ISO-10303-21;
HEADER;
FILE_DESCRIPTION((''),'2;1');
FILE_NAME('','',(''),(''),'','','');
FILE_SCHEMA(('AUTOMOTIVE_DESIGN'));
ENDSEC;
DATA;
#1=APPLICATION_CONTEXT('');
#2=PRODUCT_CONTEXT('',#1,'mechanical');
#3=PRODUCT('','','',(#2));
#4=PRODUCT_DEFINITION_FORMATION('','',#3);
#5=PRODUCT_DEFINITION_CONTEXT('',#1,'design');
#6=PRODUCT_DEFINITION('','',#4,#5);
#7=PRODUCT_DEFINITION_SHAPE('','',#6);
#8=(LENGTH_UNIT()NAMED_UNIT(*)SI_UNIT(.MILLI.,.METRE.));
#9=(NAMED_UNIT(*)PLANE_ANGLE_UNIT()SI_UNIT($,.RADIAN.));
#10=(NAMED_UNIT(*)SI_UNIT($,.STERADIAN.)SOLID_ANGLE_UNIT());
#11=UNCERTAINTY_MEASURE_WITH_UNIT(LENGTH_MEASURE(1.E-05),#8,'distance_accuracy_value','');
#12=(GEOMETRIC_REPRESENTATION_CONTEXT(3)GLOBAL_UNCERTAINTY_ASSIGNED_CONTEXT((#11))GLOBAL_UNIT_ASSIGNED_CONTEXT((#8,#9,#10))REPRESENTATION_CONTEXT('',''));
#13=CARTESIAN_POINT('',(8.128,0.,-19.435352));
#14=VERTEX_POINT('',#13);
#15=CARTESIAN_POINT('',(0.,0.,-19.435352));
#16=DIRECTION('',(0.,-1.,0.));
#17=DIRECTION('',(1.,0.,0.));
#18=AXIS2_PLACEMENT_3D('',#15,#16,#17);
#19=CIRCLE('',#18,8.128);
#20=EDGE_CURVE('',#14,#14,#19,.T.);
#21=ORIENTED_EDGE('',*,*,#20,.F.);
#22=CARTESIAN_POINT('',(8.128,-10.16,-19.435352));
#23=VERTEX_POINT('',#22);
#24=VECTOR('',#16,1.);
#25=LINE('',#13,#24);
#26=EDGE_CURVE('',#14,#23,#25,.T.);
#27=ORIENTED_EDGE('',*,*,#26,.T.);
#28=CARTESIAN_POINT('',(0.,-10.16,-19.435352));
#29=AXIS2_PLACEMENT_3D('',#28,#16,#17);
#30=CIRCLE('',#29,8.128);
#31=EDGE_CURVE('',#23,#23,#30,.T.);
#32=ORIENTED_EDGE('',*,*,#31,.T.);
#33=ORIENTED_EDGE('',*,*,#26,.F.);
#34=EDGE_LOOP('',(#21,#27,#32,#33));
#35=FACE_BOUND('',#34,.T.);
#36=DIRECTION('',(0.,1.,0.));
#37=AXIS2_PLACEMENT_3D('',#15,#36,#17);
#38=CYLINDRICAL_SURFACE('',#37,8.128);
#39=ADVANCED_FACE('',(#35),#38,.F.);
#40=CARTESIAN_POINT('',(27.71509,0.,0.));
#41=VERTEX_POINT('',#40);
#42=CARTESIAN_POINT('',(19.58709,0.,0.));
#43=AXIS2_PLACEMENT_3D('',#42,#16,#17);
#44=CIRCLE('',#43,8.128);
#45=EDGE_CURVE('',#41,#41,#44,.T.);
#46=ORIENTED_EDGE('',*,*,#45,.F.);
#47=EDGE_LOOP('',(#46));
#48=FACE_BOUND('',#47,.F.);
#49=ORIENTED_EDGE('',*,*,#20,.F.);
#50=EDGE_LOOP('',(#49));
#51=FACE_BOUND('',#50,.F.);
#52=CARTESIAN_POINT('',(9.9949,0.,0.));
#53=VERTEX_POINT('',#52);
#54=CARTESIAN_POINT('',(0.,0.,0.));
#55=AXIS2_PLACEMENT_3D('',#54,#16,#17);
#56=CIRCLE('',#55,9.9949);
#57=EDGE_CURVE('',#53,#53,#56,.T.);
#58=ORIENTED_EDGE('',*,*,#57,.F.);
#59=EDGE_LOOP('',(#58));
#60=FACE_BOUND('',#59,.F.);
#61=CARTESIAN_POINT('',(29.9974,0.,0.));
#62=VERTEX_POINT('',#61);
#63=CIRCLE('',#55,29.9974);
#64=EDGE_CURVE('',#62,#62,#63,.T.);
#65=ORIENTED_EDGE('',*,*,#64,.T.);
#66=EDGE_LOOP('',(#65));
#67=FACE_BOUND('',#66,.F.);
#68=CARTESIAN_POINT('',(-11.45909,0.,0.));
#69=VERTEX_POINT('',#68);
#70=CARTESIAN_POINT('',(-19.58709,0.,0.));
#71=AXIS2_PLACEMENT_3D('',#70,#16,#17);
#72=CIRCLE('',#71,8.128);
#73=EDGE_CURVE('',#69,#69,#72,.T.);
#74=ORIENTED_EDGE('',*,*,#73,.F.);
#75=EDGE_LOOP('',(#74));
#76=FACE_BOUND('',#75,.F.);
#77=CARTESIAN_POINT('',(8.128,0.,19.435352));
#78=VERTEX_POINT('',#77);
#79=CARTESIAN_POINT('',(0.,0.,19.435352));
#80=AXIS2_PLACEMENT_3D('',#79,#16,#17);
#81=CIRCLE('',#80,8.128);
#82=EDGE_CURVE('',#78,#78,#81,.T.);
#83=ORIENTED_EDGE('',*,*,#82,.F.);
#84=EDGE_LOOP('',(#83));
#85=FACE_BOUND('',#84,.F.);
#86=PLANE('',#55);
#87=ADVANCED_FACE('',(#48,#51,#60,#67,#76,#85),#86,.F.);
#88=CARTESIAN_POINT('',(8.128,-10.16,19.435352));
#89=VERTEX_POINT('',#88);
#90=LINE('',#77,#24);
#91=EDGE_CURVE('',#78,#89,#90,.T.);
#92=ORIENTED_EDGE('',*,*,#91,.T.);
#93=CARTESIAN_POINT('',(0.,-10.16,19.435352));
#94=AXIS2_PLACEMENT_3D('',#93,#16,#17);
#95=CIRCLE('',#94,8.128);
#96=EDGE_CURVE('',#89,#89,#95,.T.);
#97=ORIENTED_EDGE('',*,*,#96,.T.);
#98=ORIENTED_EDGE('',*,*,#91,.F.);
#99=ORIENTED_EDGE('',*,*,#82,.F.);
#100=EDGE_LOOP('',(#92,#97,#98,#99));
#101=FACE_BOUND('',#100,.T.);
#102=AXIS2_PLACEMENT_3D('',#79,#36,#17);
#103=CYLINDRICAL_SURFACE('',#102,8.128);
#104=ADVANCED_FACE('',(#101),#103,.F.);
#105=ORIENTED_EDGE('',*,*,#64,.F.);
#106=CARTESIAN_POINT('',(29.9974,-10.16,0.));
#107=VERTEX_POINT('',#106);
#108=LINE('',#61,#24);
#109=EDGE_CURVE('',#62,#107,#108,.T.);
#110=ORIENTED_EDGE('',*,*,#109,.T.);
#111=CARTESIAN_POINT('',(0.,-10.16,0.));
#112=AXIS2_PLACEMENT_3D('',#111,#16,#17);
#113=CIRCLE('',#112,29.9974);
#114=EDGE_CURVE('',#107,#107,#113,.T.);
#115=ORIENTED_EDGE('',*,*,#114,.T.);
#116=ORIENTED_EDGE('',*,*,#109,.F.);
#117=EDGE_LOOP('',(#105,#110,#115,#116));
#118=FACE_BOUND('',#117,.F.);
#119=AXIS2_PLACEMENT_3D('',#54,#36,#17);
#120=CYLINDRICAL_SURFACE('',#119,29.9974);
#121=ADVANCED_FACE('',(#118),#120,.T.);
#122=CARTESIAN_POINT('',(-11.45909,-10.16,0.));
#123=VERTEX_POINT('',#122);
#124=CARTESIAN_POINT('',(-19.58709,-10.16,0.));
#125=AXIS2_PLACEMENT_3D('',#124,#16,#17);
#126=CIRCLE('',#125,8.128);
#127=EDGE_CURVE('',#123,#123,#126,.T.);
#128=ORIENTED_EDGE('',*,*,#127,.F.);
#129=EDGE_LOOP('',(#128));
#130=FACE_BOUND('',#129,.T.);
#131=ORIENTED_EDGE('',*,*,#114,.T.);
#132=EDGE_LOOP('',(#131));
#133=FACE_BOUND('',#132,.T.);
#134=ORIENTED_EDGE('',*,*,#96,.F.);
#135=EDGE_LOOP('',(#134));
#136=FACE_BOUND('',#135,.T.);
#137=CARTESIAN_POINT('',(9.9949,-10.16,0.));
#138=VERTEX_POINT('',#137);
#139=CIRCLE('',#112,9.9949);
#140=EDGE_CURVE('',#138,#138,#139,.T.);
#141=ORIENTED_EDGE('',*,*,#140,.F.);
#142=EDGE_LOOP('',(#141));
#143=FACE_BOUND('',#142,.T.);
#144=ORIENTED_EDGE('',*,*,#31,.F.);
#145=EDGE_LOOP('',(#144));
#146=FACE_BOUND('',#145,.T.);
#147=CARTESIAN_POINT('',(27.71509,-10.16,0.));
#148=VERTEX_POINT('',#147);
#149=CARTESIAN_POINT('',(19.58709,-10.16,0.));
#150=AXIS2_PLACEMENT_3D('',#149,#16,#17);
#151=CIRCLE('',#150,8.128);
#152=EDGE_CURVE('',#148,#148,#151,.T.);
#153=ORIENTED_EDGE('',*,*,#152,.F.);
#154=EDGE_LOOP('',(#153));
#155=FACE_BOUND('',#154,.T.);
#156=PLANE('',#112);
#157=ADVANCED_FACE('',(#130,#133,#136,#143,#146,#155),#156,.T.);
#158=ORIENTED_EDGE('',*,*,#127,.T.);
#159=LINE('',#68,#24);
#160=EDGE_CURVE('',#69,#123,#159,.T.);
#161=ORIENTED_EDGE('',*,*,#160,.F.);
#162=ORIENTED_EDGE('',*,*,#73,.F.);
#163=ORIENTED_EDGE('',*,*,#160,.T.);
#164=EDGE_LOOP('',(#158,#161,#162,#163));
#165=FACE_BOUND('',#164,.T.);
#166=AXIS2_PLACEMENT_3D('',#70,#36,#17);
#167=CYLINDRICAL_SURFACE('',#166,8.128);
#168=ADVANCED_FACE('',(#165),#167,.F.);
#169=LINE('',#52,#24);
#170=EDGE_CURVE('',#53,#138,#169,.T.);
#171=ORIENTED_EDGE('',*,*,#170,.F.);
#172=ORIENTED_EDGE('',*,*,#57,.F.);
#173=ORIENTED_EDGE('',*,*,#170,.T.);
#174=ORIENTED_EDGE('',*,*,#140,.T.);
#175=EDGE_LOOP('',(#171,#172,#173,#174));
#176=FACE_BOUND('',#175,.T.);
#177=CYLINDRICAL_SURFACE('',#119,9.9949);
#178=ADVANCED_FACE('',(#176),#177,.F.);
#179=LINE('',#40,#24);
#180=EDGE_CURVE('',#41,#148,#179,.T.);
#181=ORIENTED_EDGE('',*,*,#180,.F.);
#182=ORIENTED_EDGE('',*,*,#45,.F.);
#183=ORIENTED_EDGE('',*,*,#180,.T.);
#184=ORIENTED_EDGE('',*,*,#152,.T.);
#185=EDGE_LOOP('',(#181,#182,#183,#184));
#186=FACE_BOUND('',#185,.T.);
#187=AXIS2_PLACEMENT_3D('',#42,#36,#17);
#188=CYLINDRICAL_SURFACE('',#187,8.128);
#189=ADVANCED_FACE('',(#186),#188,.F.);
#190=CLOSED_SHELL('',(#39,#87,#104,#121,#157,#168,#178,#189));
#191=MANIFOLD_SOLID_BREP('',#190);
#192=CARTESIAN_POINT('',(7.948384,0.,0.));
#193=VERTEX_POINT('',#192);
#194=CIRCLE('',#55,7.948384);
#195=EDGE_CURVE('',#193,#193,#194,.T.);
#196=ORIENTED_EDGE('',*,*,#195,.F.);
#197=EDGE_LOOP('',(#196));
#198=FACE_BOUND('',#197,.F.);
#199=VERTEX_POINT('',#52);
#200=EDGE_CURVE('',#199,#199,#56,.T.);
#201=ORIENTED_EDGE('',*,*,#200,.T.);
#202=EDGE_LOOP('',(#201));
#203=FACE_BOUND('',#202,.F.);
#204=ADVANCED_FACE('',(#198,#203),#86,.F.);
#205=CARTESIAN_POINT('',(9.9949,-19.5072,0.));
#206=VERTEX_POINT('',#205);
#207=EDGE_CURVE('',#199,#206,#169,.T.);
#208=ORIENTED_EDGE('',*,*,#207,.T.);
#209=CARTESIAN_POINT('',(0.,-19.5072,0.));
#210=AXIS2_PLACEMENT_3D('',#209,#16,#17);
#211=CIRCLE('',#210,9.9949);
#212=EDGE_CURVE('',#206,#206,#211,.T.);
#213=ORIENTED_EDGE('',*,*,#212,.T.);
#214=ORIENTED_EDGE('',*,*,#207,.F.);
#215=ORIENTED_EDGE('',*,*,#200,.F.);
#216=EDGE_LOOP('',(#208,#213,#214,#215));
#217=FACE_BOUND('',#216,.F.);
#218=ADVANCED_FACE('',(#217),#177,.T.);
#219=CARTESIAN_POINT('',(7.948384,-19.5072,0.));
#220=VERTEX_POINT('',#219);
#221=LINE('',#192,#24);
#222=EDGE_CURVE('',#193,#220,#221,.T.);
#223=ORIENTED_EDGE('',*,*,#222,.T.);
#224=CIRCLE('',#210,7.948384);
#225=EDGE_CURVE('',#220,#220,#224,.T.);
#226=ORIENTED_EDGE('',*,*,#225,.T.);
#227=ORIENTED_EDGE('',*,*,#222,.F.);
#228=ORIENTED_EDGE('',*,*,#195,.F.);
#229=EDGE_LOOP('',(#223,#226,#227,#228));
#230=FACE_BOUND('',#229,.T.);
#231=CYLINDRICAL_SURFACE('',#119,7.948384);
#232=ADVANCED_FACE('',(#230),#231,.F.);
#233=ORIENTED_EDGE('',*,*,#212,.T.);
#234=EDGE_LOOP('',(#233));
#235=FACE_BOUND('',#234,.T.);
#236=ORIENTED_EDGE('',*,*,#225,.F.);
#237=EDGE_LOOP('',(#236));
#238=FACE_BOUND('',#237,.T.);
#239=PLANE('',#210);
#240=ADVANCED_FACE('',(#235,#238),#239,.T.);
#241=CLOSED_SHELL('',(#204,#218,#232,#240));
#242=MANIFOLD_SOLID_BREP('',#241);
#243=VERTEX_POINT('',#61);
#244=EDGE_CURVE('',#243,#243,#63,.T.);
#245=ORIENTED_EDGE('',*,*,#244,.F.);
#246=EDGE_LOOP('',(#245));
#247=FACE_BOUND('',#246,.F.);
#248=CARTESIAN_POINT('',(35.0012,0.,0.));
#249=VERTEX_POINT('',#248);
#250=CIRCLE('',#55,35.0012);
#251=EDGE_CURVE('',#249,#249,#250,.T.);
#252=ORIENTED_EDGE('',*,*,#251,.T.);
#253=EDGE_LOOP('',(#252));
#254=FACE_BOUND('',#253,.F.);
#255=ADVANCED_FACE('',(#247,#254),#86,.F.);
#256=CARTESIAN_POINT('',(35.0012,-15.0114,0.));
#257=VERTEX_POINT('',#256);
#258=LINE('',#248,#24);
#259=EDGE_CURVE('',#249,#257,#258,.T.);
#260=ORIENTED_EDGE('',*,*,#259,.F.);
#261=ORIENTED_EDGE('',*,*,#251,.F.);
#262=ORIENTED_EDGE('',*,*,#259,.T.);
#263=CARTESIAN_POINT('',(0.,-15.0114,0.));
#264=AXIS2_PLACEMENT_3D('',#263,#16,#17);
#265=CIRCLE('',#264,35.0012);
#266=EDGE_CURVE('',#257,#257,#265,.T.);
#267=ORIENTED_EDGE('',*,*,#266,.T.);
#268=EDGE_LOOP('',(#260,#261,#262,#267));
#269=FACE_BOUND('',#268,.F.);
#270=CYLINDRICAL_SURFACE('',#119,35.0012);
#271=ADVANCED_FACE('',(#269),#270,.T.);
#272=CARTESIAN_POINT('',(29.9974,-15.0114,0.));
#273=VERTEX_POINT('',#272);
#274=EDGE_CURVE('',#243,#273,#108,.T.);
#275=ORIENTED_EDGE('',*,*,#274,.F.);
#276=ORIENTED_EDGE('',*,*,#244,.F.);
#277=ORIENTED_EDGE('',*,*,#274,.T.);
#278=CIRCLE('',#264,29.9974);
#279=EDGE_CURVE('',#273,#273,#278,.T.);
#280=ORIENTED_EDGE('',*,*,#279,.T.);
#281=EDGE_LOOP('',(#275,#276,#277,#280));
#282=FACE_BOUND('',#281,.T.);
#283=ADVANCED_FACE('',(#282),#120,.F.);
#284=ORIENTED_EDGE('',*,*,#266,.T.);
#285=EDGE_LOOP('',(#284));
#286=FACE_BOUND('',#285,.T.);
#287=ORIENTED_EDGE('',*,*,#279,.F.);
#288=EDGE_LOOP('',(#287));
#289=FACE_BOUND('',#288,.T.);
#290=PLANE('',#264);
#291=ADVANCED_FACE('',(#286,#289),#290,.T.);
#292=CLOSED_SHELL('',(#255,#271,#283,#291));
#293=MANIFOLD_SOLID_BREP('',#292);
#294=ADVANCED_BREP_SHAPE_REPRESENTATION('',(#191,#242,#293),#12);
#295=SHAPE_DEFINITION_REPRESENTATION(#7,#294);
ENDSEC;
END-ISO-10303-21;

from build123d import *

# Parameters (mm, degrees)
F0_R     = 35.0012
F0_R_2   = 29.9974
F1_DEPTH = 15.0114
F0_R_3   = 9.9949
F0_R_4   = 7.948384
F2_DEPTH = 19.5072
F0_R_5   = 8.128
F3_DEPTH = 10.16


with BuildPart() as f1:
    # F0 (on Front) → F1 (new body)
    with BuildSketch(Plane.XZ):
        Circle(F0_R)
        Circle(F0_R_2, mode=Mode.SUBTRACT)
    extrude(amount=F1_DEPTH)


with BuildPart() as f2:
    # F0 (on Front) → F2 (new body)
    with BuildSketch(Plane.XZ):
        Circle(F0_R_3)
        Circle(F0_R_4, mode=Mode.SUBTRACT)
    extrude(amount=F2_DEPTH)


with BuildPart() as f3:
    # F0 (on Front) → F3 (new body)
    with BuildSketch(Plane.XZ):
        Circle(F0_R_2)
        with Locations((0, -19.435352)):
            Circle(F0_R_5, mode=Mode.SUBTRACT)
        with Locations((-19.58709, 0)):
            Circle(F0_R_5, mode=Mode.SUBTRACT)
        Circle(F0_R_3, mode=Mode.SUBTRACT)
        with Locations((19.58709, 0)):
            Circle(F0_R_5, mode=Mode.SUBTRACT)
        with Locations((0, 19.435352)):
            Circle(F0_R_5, mode=Mode.SUBTRACT)
    extrude(amount=F3_DEPTH)


solid = Compound([f1.part, f2.part, f3.part])
